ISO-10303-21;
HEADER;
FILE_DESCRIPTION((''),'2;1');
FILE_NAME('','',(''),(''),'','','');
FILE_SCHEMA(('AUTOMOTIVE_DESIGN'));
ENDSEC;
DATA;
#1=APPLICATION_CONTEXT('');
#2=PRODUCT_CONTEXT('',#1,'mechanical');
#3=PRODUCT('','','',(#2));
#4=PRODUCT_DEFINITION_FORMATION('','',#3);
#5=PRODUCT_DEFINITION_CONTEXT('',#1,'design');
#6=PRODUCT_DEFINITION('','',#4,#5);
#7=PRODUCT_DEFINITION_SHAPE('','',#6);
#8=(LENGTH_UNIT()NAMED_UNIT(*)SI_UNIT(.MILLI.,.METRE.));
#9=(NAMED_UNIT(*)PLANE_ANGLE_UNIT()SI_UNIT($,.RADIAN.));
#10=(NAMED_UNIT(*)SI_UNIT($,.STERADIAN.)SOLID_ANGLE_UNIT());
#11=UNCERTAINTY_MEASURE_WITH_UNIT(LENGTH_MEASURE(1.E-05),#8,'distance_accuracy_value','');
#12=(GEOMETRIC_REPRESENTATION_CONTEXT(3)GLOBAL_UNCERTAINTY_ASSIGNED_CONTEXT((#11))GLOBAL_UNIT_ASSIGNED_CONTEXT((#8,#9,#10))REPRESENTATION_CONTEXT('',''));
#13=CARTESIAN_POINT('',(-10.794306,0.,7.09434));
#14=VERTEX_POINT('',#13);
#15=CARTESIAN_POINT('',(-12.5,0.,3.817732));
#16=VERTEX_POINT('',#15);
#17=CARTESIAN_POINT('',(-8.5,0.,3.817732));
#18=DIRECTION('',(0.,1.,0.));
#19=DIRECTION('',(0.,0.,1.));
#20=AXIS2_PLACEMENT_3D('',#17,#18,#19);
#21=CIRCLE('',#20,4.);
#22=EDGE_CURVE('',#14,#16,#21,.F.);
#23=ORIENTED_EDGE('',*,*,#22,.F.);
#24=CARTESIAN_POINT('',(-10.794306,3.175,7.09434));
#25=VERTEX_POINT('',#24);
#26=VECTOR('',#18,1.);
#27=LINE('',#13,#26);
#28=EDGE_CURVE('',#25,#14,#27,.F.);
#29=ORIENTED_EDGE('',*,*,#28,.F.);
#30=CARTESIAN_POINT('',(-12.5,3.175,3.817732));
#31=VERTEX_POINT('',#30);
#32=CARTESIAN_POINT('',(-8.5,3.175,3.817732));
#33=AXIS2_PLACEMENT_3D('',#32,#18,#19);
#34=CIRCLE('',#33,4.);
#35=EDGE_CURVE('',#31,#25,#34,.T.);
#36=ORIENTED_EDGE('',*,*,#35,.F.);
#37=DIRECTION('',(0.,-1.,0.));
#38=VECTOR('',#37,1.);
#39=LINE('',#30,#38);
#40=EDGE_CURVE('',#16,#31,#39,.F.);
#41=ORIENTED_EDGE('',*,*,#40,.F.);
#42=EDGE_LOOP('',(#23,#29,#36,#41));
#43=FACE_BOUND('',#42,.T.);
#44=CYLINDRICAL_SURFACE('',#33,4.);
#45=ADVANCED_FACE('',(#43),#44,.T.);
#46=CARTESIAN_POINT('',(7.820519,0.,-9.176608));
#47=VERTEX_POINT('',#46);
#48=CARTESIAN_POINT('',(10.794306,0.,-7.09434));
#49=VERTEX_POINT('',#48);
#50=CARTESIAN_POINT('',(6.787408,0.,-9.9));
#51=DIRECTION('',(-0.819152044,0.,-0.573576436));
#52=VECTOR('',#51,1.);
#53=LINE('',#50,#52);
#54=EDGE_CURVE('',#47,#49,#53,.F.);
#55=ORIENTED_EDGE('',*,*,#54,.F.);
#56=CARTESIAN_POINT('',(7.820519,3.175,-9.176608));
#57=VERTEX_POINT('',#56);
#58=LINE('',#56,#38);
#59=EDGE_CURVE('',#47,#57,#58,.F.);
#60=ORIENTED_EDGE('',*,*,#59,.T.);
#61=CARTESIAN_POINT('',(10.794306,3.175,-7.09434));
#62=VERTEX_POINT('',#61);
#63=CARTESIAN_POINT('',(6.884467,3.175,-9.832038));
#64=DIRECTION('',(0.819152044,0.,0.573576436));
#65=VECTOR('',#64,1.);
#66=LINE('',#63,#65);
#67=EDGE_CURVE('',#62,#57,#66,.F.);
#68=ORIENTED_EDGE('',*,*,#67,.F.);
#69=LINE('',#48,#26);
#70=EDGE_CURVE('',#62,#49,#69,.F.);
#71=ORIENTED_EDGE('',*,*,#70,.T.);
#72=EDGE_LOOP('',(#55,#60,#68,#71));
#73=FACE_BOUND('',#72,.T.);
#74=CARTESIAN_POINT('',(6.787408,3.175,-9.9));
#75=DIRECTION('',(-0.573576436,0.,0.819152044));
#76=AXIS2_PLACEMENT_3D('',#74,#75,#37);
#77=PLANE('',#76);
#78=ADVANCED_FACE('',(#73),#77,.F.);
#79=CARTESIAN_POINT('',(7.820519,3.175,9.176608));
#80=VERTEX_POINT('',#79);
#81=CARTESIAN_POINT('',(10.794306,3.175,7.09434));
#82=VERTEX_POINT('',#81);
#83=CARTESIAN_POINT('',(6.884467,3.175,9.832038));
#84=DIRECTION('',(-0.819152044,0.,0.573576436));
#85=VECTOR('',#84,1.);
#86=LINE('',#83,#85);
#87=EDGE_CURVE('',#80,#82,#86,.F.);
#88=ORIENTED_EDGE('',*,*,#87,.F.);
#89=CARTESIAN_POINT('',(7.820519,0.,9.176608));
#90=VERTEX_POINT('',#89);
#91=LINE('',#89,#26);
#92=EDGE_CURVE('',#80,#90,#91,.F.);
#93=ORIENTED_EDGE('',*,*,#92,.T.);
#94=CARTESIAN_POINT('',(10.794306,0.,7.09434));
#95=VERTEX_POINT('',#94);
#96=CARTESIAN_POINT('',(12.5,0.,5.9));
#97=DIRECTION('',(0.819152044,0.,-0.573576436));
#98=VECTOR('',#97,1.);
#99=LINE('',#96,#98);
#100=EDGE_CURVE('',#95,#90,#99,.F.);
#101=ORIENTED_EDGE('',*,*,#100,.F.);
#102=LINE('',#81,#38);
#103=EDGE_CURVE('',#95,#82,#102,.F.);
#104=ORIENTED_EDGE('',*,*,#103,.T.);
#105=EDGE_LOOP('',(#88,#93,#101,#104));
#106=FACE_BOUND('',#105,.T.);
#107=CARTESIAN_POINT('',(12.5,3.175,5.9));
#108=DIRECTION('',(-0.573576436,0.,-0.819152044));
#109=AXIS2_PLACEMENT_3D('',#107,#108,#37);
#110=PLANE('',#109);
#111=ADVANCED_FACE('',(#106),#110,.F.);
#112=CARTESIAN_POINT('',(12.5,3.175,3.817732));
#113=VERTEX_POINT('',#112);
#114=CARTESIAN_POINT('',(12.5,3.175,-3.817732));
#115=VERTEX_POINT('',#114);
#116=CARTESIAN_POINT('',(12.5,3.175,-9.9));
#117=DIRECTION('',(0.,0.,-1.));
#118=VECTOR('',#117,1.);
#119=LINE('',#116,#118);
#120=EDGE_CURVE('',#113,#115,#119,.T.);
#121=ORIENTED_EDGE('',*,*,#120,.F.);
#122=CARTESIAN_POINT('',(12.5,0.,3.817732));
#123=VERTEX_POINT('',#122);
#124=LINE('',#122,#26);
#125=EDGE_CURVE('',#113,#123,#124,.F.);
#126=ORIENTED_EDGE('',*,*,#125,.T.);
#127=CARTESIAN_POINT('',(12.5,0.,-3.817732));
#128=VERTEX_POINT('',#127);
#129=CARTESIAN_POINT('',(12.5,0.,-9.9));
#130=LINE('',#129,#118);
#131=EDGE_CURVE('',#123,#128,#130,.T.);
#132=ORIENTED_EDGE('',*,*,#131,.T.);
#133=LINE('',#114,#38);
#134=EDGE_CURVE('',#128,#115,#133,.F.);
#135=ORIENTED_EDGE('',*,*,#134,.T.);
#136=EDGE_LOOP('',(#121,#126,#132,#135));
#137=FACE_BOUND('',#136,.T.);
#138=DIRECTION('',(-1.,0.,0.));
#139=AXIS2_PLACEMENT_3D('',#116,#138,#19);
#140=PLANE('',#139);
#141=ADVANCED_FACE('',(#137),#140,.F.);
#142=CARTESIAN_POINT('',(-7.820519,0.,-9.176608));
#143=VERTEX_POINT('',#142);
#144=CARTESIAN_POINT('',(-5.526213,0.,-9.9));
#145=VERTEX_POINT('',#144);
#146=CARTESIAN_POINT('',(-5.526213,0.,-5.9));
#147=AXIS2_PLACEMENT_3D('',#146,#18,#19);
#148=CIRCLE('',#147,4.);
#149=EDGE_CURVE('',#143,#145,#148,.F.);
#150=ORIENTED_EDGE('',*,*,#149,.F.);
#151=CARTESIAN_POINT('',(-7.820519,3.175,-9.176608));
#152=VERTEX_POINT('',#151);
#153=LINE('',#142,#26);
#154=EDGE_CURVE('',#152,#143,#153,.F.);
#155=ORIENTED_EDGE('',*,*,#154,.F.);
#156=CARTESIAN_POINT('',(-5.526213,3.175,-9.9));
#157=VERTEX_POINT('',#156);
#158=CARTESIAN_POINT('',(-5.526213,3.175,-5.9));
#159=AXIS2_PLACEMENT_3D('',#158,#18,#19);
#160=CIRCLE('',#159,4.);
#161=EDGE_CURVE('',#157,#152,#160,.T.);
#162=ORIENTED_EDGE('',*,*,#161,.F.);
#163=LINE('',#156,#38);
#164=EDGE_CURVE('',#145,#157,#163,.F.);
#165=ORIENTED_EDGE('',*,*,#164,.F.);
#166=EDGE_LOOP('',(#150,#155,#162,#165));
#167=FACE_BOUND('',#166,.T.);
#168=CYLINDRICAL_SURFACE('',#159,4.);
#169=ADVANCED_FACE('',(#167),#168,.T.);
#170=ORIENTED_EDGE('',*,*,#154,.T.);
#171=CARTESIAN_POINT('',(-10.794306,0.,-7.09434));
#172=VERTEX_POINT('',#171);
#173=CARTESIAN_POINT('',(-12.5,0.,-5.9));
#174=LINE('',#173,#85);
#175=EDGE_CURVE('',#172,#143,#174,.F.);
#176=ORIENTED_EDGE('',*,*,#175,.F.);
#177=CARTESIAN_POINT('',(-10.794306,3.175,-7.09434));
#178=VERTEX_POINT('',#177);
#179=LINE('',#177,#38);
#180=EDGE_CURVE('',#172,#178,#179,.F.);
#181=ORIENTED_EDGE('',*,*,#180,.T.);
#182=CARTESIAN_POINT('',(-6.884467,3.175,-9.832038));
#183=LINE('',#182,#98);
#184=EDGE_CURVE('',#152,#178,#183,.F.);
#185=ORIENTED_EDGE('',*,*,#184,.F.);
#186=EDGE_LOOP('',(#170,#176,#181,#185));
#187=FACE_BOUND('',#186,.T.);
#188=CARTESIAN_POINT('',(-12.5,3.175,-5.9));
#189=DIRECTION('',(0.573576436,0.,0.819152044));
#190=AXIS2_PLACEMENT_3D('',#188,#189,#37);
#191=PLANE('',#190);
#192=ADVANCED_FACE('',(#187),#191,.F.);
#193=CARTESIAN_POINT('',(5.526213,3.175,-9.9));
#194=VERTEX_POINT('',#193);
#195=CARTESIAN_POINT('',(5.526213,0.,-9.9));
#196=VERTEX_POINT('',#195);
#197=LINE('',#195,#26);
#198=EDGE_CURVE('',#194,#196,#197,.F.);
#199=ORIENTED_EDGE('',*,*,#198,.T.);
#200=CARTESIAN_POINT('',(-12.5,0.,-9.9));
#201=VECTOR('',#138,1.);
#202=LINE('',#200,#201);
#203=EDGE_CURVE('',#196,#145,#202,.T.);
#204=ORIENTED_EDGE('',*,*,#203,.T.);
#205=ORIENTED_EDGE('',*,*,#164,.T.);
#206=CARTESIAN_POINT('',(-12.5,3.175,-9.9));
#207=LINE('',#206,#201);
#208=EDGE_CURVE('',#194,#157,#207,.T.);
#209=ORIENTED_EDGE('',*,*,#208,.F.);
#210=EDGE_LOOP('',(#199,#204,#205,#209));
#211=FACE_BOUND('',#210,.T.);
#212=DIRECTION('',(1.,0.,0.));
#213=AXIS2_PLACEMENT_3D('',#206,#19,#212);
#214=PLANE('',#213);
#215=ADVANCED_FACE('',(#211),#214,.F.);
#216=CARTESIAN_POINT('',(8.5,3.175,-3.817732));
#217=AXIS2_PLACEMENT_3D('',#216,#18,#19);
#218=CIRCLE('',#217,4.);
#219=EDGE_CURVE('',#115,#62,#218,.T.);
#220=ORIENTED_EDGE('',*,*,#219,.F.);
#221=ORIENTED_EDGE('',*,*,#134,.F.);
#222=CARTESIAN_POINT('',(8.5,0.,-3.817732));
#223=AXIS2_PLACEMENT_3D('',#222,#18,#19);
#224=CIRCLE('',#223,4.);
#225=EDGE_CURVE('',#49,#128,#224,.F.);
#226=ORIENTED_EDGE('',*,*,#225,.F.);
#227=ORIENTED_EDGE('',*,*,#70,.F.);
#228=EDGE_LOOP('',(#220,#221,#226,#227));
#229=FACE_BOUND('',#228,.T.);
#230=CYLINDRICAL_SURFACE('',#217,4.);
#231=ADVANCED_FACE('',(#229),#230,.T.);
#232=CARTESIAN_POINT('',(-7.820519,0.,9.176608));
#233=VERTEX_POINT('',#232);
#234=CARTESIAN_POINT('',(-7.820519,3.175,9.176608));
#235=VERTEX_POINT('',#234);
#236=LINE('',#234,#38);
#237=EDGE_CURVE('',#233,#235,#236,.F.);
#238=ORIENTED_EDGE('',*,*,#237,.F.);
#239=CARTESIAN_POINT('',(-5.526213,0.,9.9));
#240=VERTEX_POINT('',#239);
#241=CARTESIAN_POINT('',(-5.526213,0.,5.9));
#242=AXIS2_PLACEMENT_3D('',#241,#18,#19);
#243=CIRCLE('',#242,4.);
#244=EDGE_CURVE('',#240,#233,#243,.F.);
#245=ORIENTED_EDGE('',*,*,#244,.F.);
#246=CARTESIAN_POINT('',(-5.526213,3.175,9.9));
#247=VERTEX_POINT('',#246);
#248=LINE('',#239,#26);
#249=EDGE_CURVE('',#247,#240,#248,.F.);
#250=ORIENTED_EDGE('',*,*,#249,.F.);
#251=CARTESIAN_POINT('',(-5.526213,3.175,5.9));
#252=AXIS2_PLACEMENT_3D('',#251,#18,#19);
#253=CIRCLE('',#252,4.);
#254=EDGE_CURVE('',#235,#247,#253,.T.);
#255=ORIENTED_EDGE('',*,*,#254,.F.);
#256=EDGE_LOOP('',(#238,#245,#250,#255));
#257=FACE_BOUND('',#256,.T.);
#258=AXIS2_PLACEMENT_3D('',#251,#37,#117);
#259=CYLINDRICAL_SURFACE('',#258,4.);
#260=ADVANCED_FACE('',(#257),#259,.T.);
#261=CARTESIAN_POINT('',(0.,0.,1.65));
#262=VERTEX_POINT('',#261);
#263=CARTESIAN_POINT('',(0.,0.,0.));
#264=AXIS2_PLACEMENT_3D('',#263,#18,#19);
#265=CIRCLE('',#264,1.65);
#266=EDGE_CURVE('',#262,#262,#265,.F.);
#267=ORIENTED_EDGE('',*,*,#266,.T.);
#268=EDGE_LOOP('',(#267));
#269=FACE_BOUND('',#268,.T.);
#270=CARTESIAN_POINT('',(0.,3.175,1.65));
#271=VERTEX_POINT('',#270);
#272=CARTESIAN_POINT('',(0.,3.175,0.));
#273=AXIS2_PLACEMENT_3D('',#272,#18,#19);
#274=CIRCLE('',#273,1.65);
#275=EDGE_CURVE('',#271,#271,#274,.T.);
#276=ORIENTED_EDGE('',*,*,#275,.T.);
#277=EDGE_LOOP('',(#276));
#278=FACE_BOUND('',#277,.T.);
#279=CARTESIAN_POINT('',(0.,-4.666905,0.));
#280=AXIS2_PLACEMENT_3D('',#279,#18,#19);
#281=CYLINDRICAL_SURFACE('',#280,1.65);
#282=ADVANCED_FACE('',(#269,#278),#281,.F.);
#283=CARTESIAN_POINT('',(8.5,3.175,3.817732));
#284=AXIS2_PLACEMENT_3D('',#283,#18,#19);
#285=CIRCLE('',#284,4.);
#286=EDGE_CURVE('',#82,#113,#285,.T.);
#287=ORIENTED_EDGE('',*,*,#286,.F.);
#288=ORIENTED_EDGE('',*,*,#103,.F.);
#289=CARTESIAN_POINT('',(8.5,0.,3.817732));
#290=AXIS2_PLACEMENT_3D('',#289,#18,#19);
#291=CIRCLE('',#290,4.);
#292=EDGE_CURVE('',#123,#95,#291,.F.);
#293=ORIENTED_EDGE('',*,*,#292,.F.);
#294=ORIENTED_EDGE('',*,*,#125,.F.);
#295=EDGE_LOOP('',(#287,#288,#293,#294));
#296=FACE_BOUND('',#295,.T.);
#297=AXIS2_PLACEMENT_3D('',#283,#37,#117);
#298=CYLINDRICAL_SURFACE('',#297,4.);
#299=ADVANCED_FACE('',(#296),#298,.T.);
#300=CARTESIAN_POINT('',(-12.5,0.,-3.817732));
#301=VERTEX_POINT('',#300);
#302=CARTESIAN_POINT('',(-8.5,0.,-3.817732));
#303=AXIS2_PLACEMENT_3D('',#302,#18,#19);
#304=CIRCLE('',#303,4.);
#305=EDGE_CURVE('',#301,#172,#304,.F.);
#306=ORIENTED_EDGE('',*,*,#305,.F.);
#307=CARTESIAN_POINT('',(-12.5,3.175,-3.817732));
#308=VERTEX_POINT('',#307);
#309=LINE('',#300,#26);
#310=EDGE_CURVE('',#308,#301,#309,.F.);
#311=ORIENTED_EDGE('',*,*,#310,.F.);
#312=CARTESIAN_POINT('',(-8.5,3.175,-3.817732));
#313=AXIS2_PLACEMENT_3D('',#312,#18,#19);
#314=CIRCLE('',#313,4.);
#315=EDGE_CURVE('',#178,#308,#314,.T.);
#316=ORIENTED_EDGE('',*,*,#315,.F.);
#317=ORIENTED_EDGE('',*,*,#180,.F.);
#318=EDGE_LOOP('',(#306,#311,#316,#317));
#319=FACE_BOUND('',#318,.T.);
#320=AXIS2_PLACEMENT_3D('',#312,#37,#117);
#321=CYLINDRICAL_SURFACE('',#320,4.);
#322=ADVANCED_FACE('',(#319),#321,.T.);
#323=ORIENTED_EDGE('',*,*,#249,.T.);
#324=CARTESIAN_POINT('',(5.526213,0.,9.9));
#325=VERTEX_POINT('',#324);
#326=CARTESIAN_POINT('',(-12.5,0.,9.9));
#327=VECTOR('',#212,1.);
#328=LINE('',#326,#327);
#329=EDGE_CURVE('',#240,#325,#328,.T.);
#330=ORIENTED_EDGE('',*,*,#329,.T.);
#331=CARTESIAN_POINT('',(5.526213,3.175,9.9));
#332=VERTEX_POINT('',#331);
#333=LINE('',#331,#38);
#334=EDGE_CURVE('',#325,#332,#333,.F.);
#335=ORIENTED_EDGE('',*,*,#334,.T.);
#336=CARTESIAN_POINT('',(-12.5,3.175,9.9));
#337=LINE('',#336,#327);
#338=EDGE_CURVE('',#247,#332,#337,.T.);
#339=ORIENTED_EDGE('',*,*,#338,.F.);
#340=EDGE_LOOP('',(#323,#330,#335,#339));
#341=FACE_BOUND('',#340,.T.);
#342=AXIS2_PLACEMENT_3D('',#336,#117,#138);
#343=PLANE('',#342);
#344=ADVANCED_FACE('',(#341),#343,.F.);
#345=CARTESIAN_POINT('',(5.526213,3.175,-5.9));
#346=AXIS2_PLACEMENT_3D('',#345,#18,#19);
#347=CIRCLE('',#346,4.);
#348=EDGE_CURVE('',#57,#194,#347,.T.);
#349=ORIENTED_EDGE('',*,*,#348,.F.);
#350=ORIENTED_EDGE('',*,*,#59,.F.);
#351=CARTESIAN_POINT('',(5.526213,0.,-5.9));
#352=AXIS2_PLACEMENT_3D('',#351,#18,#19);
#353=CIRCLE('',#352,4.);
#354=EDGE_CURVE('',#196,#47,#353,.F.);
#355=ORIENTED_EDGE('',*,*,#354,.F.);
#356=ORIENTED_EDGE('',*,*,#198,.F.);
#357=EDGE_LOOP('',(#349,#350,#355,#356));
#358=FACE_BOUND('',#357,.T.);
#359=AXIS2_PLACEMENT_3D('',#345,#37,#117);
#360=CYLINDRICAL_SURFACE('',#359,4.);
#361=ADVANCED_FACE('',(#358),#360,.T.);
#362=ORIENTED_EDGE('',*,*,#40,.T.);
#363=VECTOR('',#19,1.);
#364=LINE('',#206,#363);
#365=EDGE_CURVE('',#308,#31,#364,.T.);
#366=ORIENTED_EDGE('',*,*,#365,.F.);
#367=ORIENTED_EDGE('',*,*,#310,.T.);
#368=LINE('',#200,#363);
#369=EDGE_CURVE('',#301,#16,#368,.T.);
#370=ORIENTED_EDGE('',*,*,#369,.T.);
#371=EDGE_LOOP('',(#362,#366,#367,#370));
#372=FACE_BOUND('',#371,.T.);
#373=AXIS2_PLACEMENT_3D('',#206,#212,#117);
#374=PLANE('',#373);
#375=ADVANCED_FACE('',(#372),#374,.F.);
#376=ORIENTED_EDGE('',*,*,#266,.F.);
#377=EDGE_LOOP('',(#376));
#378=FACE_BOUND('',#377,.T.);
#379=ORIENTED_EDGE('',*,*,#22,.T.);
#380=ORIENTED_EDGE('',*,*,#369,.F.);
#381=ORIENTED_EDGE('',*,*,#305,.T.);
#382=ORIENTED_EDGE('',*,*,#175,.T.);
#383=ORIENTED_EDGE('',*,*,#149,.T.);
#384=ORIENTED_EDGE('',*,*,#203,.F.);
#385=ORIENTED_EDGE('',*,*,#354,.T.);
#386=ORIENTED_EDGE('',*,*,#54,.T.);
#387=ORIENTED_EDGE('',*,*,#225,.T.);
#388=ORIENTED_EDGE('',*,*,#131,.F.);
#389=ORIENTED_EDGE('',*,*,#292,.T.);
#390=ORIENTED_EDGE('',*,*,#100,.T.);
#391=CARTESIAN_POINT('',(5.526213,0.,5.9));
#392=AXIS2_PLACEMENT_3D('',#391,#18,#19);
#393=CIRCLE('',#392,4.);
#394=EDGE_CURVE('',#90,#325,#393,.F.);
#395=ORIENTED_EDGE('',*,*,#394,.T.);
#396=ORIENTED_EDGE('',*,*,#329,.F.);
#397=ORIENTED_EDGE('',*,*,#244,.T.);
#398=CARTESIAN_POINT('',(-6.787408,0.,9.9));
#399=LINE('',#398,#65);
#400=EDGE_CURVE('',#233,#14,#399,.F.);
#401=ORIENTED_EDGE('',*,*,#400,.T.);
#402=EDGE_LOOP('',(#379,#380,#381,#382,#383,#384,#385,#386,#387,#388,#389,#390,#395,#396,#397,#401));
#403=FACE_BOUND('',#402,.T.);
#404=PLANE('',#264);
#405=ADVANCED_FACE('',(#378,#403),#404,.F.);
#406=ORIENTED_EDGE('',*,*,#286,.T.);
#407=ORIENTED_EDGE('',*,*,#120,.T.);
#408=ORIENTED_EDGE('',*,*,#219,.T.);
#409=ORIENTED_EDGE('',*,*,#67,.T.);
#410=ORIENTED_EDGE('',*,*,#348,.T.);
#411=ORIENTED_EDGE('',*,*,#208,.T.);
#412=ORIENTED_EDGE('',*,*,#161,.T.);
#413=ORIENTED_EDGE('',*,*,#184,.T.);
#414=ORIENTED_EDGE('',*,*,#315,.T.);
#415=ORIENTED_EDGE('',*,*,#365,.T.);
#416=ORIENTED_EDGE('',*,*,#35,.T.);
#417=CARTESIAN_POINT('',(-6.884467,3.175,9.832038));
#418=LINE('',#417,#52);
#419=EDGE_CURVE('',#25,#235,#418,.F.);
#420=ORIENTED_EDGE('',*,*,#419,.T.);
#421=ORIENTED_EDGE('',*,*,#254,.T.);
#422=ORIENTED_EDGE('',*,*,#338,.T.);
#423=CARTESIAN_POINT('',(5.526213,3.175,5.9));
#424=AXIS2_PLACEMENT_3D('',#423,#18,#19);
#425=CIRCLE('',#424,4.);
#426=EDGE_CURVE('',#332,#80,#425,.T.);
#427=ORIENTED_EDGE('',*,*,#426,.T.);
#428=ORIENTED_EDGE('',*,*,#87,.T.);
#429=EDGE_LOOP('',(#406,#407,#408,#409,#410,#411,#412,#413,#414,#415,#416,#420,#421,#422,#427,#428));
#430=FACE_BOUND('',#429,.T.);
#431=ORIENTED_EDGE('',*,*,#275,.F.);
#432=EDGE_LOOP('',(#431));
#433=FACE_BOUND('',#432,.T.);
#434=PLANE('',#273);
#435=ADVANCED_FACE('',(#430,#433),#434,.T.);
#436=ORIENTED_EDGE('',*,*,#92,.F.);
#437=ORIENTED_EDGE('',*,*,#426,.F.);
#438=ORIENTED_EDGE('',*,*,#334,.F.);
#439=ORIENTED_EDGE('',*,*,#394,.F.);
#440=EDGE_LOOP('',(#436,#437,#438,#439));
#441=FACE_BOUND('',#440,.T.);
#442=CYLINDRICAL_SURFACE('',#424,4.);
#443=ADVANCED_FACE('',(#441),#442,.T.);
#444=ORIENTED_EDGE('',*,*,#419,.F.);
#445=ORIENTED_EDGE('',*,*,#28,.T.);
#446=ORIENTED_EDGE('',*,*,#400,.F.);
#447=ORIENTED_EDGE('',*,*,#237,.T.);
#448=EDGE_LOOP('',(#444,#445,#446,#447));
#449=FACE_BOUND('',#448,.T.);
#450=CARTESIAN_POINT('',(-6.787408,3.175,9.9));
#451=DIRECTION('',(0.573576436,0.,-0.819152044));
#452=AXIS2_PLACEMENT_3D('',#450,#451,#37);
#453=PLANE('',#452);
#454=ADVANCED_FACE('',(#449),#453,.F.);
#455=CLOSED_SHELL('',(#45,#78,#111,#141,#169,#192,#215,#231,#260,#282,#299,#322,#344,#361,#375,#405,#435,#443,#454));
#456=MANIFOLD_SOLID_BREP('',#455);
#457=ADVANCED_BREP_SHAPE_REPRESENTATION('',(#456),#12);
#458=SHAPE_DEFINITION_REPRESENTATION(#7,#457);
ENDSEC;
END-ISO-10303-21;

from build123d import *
from OCP.BRepFilletAPI import BRepFilletAPI_MakeChamfer

# Parameters (mm, degrees)
SKETCH2_W           = 25
SKETCH2_H           = 19.8
BOSS_EXTRUDE2_DEPTH = 3.175
SKETCH3_R           = 1.65
CUT_EXTRUDE1_DEPTH  = 3.175
CHAMFER1_SIZE       = 4
CHAMFER1_SIZE2      = 5.712592027
FILLET2_R           = 4


with BuildPart() as part:
    # Sketch2 → Boss-Extrude2 (new body)
    with BuildSketch(Plane(origin=(0, 0, 0), x_dir=(1, 0, 0), z_dir=(0, 1, 0))):
        Rectangle(SKETCH2_W, SKETCH2_H)
    extrude(amount=BOSS_EXTRUDE2_DEPTH)

    # Sketch3 → Cut-Extrude1 (cut)
    with BuildSketch(Plane(origin=(0, 3.175, 0), x_dir=(1, 0, 0), z_dir=(0, 1, 0))):
        with Locations(Location((0, 0, 0), (0, 0, 270))):
            Circle(SKETCH3_R)
    extrude(amount=-CUT_EXTRUDE1_DEPTH, mode=Mode.SUBTRACT)

    # Chamfer1: one chamfer whose edges measure the first distance from different faces: ONE call of the kernel's chamfer builder (chamfer() names one face for all edges)
    chamfer1_edges_1 = [part.edges().sort_by_distance(p)[0] for p in [
        (12.5, 1.5875, 9.9),
        (12.5, 1.5875, -9.9),
    ]]
    chamfer1_side_1 = [part.faces().sort_by_distance(p)[0] for p in [
        (12.5, 1.5875, 0),
    ]]
    chamfer1_edges_2 = [part.edges().sort_by_distance(p)[0] for p in [
        (-12.5, 1.5875, 9.9),
        (-12.5, 1.5875, -9.9),
    ]]
    chamfer1_side_2 = [part.faces().sort_by_distance(p)[0] for p in [
        (-12.5, 1.5875, 0),
    ]]
    chamfer1 = BRepFilletAPI_MakeChamfer(part.part.solid().wrapped)
    for e in chamfer1_edges_1:
        chamfer1.Add(CHAMFER1_SIZE, CHAMFER1_SIZE2, e.wrapped, chamfer1_side_1[0].wrapped)  # the first distance lies on this face
    for e in chamfer1_edges_2:
        chamfer1.Add(CHAMFER1_SIZE, CHAMFER1_SIZE2, e.wrapped, chamfer1_side_2[0].wrapped)  # the first distance lies on this face
    add(Compound.cast(chamfer1.Shape()), mode=Mode.REPLACE)

    # Fillet2
    fillet2_edges = [part.edges().sort_by_distance(p)[0] for p in [
        (12.5, 1.5875, -5.9),
        (12.5, 1.5875, 5.9),
        (-6.787407973, 1.5875, 9.9),
        (6.787407973, 1.5875, 9.9),
        (-12.5, 1.5875, -5.9),
        (-12.5, 1.5875, 5.9),
        (6.787407973, 1.5875, -9.9),
        (-6.787407973, 1.5875, -9.9),
    ]]
    fillet(fillet2_edges, radius=FILLET2_R)


solid = part.part
